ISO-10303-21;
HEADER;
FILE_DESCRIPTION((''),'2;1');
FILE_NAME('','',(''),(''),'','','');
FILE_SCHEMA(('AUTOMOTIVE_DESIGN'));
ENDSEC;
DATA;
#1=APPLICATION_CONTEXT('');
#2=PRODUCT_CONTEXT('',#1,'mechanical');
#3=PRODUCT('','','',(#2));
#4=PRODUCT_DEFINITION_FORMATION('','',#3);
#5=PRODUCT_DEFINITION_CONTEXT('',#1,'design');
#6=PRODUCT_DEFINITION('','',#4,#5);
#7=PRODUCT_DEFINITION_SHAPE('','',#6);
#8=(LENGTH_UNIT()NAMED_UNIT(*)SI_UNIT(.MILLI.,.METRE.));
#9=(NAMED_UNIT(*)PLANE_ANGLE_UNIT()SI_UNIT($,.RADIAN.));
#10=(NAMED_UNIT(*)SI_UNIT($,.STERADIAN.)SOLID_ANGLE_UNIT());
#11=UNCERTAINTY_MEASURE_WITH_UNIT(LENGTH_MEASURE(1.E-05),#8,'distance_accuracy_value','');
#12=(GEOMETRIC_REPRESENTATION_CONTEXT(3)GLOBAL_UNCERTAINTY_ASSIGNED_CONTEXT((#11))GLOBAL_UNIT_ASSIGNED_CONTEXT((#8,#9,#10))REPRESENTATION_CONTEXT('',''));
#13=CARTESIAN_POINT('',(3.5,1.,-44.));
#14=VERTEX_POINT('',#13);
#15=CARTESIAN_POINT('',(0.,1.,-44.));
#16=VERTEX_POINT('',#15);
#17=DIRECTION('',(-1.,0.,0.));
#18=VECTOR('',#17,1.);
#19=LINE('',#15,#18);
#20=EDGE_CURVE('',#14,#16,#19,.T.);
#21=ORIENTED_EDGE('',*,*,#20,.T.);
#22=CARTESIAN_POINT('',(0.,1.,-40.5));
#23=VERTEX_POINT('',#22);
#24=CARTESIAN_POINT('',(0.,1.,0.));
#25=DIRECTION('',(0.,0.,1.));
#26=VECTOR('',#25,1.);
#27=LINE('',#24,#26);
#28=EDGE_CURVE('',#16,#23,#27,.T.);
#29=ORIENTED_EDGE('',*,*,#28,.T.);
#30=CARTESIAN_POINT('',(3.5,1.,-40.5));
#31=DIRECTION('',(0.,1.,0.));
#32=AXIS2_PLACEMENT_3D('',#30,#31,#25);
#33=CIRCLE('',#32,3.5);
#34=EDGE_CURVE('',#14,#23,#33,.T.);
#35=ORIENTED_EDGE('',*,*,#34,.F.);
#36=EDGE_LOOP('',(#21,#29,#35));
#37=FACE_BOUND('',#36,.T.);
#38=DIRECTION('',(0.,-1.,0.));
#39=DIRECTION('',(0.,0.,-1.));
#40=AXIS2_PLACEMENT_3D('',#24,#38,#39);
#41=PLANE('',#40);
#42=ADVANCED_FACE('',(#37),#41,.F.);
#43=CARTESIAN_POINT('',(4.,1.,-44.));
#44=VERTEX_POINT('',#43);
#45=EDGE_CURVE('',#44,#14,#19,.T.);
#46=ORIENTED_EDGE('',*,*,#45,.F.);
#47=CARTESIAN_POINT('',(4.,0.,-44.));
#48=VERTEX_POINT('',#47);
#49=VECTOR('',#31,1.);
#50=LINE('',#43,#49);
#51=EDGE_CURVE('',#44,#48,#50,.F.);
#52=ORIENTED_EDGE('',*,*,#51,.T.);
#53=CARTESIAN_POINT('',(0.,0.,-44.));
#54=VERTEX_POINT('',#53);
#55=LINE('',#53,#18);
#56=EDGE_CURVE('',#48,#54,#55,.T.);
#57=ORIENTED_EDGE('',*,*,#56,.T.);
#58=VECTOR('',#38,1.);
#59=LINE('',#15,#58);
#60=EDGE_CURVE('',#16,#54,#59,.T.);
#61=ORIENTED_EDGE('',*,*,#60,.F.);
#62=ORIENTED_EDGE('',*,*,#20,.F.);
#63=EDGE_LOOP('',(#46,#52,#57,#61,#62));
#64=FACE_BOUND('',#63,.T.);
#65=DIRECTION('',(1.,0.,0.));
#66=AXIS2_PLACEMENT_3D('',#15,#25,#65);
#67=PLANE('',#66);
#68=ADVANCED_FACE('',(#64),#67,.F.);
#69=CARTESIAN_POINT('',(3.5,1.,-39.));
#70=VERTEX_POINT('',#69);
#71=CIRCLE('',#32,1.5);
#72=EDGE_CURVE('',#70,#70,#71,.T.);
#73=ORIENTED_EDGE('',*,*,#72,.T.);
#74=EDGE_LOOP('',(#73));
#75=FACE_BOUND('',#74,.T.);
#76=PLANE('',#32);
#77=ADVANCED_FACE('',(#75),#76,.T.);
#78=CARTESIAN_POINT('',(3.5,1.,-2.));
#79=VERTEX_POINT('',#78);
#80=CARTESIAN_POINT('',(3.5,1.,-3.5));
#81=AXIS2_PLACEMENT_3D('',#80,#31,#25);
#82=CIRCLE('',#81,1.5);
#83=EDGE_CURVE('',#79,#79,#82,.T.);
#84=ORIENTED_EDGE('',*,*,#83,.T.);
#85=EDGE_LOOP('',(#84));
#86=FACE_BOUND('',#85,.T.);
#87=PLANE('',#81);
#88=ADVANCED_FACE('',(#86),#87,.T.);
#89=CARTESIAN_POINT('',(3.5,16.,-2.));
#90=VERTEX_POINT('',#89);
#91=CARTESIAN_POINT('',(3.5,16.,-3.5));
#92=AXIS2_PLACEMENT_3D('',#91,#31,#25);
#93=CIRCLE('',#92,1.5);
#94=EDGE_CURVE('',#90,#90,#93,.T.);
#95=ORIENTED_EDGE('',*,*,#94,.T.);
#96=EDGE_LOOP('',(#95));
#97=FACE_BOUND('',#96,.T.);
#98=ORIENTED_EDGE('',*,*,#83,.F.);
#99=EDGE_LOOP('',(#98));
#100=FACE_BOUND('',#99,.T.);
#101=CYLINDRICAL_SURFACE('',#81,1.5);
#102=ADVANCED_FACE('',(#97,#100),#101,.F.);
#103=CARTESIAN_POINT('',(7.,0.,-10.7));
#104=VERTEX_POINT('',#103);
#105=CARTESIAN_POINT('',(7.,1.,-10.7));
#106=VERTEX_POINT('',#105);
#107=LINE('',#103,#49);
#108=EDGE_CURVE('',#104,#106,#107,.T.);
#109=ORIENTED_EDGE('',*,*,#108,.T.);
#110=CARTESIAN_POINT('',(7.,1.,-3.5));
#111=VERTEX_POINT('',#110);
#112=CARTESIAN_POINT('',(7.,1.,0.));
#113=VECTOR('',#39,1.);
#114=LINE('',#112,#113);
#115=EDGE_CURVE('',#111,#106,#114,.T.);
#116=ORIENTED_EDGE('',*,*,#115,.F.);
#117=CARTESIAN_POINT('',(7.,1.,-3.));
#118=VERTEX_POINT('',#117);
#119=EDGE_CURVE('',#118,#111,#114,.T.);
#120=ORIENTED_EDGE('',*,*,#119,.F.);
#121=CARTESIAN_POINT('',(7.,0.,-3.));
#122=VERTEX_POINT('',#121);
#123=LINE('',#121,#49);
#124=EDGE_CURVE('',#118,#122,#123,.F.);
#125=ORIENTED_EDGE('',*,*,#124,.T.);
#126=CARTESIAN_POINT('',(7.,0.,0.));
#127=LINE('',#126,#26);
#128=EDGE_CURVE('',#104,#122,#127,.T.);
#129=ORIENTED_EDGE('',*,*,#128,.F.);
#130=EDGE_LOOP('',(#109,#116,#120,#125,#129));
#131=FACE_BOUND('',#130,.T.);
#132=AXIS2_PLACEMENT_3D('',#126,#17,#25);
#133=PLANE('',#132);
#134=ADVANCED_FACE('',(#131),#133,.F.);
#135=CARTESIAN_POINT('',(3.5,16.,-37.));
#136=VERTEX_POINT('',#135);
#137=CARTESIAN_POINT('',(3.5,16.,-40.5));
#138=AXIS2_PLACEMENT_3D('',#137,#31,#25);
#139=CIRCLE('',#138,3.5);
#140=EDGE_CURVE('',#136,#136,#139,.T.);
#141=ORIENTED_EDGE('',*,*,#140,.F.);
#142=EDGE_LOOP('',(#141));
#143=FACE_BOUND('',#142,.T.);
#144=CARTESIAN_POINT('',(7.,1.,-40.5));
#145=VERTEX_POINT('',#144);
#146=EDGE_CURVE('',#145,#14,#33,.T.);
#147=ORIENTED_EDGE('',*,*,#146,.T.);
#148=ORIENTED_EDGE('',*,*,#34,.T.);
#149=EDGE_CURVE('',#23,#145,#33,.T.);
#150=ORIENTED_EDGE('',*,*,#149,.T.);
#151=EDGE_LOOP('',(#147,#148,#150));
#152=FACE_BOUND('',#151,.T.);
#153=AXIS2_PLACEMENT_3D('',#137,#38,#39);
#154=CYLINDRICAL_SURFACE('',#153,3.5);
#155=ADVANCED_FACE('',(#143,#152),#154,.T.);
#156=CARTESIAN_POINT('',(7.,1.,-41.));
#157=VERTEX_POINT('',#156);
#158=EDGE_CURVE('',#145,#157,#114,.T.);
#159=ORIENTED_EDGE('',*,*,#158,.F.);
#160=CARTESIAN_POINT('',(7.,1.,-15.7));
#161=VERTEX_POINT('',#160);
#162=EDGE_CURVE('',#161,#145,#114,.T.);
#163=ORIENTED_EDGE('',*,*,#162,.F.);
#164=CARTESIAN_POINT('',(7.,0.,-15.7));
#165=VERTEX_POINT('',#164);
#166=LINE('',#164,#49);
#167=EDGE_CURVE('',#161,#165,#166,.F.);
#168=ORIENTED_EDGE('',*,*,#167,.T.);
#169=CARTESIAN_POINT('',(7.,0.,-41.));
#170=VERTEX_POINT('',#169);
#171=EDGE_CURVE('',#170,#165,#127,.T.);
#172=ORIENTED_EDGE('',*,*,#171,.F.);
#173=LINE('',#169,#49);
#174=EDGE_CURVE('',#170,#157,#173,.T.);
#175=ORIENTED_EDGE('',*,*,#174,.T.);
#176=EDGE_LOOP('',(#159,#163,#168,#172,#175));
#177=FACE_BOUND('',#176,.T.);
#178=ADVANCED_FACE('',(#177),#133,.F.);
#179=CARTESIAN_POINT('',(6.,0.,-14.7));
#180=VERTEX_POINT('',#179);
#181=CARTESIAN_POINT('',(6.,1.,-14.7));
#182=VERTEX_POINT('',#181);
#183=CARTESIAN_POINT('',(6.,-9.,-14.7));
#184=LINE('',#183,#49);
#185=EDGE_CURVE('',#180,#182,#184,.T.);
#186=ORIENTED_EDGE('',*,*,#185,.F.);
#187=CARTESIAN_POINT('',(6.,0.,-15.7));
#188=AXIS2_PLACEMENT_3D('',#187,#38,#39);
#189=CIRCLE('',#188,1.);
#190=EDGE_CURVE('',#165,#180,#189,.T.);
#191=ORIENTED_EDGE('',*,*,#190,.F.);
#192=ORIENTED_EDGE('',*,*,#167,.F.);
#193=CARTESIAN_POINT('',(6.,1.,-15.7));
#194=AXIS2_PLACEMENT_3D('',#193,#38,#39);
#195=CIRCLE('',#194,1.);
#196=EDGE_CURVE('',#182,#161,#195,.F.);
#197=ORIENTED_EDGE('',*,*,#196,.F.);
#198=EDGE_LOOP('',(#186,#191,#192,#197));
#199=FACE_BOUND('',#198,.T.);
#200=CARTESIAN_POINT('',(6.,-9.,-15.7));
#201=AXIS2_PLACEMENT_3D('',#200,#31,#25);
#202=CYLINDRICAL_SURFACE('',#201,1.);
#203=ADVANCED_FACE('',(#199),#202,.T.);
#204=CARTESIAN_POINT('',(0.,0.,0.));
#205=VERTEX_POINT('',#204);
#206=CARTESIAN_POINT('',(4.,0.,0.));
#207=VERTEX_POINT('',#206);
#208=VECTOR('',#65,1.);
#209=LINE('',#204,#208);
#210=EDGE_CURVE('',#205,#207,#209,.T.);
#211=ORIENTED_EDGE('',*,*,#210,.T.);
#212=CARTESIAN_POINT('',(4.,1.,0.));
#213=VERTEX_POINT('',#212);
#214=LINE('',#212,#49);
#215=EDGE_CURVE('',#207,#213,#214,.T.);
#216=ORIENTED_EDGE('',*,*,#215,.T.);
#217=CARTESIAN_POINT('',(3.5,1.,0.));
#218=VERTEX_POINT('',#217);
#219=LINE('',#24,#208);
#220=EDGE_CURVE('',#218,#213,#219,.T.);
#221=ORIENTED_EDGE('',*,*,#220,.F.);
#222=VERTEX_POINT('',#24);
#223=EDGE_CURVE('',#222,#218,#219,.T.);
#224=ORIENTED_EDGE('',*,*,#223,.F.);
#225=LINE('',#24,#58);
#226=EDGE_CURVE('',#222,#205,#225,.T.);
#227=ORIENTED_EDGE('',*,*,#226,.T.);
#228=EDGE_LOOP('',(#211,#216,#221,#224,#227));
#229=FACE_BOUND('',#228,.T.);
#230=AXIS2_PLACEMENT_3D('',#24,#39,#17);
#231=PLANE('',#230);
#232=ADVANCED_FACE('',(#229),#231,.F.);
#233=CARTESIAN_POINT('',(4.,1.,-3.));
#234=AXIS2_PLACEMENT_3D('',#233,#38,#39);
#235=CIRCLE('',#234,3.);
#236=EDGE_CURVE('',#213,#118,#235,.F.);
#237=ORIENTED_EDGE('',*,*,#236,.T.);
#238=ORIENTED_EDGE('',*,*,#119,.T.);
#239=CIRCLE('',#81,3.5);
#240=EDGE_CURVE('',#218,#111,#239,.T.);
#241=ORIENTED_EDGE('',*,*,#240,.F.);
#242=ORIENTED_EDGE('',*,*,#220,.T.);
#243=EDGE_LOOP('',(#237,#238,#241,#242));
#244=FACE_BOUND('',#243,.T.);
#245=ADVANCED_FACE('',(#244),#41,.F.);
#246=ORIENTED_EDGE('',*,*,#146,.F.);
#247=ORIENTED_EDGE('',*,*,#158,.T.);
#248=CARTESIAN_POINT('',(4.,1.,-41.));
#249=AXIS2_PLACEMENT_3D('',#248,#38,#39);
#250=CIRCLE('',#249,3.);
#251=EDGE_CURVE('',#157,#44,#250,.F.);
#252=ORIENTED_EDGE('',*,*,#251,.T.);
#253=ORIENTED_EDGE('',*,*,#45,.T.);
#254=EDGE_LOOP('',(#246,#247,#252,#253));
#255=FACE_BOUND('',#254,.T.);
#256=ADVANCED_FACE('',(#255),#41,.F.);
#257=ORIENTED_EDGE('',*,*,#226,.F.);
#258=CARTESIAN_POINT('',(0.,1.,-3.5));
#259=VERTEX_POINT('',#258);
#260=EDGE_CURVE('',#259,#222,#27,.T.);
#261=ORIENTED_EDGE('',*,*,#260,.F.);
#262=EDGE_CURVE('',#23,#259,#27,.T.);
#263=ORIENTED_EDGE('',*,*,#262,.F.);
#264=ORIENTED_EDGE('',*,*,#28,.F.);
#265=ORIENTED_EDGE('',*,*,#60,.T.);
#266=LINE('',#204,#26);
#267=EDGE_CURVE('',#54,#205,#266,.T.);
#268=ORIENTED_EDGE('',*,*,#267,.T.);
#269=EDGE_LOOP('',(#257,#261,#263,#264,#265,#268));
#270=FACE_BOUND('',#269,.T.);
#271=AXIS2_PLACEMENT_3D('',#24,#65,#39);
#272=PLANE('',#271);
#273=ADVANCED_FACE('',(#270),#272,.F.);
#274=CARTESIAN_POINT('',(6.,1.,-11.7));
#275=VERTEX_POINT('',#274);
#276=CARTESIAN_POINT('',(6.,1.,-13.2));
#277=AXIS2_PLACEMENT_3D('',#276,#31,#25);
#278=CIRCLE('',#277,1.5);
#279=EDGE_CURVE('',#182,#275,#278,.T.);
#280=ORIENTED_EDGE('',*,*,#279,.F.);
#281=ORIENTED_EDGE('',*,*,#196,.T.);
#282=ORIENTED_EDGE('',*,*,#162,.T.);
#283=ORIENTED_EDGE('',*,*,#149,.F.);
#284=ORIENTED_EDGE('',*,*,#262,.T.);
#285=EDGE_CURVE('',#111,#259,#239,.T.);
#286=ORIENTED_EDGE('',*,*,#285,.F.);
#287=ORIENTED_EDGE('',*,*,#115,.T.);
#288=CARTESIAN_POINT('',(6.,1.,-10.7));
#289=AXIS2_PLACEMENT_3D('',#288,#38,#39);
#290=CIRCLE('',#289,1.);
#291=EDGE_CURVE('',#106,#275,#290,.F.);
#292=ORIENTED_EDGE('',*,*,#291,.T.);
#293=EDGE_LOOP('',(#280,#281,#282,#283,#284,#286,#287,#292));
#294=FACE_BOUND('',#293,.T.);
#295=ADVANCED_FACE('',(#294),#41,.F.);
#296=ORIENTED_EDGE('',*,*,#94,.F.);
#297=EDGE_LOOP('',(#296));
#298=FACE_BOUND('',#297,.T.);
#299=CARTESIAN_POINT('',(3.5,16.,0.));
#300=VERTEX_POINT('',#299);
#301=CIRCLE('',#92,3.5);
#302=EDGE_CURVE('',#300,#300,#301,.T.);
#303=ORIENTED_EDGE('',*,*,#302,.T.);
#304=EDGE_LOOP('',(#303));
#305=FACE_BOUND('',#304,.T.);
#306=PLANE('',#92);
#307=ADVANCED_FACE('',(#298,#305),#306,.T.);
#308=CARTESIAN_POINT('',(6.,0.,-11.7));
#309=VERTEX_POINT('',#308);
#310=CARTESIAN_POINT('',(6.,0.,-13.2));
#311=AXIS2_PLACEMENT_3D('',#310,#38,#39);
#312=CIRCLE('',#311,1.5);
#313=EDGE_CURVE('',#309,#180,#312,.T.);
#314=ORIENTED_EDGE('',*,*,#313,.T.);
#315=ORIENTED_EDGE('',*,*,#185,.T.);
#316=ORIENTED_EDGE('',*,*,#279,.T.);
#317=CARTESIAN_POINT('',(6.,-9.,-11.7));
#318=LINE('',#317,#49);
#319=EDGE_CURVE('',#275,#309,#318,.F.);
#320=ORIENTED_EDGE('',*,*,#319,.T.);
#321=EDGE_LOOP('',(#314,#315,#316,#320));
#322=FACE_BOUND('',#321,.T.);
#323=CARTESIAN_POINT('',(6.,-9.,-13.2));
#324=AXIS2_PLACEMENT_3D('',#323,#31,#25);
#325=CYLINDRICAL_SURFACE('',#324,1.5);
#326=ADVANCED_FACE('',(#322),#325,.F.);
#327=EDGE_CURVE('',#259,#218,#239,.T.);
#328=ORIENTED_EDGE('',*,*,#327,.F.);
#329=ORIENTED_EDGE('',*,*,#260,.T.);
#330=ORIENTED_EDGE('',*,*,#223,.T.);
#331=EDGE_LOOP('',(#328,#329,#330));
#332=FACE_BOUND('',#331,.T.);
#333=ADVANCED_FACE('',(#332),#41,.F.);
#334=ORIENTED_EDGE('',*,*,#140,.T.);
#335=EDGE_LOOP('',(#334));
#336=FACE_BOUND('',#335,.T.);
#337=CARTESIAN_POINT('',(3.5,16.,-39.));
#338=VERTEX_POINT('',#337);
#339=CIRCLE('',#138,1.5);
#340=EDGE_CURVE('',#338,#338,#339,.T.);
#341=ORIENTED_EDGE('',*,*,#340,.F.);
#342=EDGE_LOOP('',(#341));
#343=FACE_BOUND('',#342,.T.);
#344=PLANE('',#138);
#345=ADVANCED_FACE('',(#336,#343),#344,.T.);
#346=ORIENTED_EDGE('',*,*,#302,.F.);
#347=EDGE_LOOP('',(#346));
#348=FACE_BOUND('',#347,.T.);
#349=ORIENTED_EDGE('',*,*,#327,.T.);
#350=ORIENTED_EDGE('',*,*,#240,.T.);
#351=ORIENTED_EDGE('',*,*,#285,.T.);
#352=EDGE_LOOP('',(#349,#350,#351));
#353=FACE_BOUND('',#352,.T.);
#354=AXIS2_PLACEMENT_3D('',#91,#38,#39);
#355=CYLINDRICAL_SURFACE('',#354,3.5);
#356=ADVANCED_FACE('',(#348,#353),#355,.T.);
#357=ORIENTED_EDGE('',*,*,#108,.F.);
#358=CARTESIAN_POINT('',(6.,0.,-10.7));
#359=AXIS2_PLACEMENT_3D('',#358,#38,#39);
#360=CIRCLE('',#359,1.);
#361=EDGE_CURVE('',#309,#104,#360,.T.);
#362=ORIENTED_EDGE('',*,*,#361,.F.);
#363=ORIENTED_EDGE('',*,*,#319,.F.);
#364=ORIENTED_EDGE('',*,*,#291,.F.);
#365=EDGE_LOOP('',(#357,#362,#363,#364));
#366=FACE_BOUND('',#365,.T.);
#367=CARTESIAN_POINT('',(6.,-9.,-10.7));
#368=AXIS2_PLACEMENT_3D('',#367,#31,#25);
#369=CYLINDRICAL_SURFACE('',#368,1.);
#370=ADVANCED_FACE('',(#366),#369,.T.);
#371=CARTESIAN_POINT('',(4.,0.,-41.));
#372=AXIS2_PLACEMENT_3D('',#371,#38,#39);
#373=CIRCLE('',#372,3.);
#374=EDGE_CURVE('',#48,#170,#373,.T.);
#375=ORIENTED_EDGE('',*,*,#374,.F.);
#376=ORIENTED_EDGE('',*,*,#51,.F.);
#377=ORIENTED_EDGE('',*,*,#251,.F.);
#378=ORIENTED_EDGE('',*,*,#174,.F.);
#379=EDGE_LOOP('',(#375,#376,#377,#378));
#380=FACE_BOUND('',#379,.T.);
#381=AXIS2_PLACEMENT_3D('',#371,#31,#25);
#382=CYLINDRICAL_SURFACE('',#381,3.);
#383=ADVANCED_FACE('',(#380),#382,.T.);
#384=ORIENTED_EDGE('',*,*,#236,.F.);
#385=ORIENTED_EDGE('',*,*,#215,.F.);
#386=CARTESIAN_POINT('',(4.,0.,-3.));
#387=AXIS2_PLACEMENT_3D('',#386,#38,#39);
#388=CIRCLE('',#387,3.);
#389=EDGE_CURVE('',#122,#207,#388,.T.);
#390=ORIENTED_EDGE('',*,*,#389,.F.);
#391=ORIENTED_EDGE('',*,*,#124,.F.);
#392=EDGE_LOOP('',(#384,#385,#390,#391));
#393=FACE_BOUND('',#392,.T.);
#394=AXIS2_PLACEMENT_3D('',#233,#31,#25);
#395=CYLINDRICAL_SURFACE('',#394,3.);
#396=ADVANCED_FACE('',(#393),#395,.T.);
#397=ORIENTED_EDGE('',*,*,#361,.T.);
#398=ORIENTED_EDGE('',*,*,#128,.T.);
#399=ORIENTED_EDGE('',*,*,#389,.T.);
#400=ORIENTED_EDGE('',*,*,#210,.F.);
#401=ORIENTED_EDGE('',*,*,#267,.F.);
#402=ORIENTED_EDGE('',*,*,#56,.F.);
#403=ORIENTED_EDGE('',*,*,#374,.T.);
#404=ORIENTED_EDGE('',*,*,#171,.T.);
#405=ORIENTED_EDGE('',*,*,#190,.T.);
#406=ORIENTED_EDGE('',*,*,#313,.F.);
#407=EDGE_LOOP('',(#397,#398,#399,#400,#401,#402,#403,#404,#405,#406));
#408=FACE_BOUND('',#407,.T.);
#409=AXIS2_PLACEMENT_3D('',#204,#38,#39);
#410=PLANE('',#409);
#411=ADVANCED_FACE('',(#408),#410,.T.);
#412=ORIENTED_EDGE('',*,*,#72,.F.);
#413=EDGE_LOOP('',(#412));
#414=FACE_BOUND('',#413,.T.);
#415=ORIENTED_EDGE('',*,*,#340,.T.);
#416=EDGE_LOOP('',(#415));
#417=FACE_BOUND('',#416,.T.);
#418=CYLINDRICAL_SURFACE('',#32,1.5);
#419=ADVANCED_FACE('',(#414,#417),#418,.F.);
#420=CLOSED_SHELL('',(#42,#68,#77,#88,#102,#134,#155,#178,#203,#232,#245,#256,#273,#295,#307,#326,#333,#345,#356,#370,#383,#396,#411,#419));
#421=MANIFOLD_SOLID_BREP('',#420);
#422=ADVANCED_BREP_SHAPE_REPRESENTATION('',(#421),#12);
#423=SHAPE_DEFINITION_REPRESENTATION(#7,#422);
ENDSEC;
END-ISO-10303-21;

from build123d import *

# Parameters (mm, degrees)
SKETCH1_W               = 44
SKETCH1_H               = 44
BOSS_EXTRUDE1_DEPTH     = 1
SKETCH2_R               = 3.5
BOSS_EXTRUDE2_DEPTH     = 15
SKETCH3_R               = 1.5
CUT_EXTRUDE1_DEPTH      = 15
CUT_EXTRUDE2_DEPTH      = 65.007812023
CUT_EXTRUDE2_DEPTH_BACK = 65.007812023
SKETCH4_W               = 37
SKETCH4_H               = 44
SKETCH5_R               = 1.5
CUT_EXTRUDE3_DEPTH      = 10
FILLET1_R               = 3
FILLET2_R               = 1


with BuildPart() as part:
    # Sketch1 → Boss-Extrude1 (new body)
    with BuildSketch(Plane(origin=(0, 0, 0), x_dir=(1, 0, 0), z_dir=(0, 1, 0))):
        with Locations((22, 22)):
            Rectangle(SKETCH1_W, SKETCH1_H)
    extrude(amount=BOSS_EXTRUDE1_DEPTH)

    # Sketch2 → Boss-Extrude2 (add)
    with BuildSketch(Plane(origin=(0, 1, 0), x_dir=(1, 0, 0), z_dir=(0, 1, 0))):
        with Locations(Location((3.5, 40.5, 0), (0, 0, 90))):
            Circle(SKETCH2_R)
        with Locations(Location((40.5, 40.5, 0), (0, 0, 90))):
            Circle(SKETCH2_R)
        with Locations(Location((40.5, 3.5, 0), (0, 0, 270))):
            Circle(SKETCH2_R)
        with Locations(Location((3.5, 3.5, 0), (0, 0, 270))):
            Circle(SKETCH2_R)
    extrude(amount=BOSS_EXTRUDE2_DEPTH)

    # Sketch3 → Cut-Extrude1 (cut)
    with BuildSketch(Plane(origin=(0, 16, 0), x_dir=(1, 0, 0), z_dir=(0, 1, 0))):
        with Locations(Location((3.5, 40.5, 0), (0, 0, 270))):
            Circle(SKETCH3_R)
        with Locations(Location((40.5, 40.5, 0), (0, 0, 270))):
            Circle(SKETCH3_R)
        with Locations(Location((40.5, 3.5, 0), (0, 0, 270))):
            Circle(SKETCH3_R)
        with Locations(Location((3.5, 3.5, 0), (0, 0, 270))):
            Circle(SKETCH3_R)
    extrude(amount=-CUT_EXTRUDE1_DEPTH, mode=Mode.SUBTRACT)

    # Sketch4 → Cut-Extrude2 (cut, two sides: drawn at the far end of the back side and taken through both)
    with BuildSketch(Plane(origin=(0, 1, 0), x_dir=(1, 0, 0), z_dir=(0, 1, 0)).offset(-CUT_EXTRUDE2_DEPTH_BACK)):
        with Locations((25.5, 22)):
            Rectangle(SKETCH4_W, SKETCH4_H)
    extrude(amount=CUT_EXTRUDE2_DEPTH + CUT_EXTRUDE2_DEPTH_BACK, mode=Mode.SUBTRACT)

    # Sketch5 → Cut-Extrude3 (cut)
    with BuildSketch(Plane(origin=(0, 1, 0), x_dir=(1, 0, 0), z_dir=(0, 1, 0))):
        with Locations((6, 13.2)):
            Circle(SKETCH5_R)
    extrude(amount=-CUT_EXTRUDE3_DEPTH, mode=Mode.SUBTRACT)

    # Fillet1
    fillet1_edges = [part.edges().sort_by_distance(p)[0] for p in [
        (7, 0.5, -44),
        (7, 0.5, 0),
    ]]
    fillet(fillet1_edges, radius=FILLET1_R)

    # Fillet2
    fillet2_edges = [part.edges().sort_by_distance(p)[0] for p in [
        (7, 0.5, -14.318033989),
        (7, 0.5, -12.081966011),
    ]]
    fillet(fillet2_edges, radius=FILLET2_R)


solid = part.part
